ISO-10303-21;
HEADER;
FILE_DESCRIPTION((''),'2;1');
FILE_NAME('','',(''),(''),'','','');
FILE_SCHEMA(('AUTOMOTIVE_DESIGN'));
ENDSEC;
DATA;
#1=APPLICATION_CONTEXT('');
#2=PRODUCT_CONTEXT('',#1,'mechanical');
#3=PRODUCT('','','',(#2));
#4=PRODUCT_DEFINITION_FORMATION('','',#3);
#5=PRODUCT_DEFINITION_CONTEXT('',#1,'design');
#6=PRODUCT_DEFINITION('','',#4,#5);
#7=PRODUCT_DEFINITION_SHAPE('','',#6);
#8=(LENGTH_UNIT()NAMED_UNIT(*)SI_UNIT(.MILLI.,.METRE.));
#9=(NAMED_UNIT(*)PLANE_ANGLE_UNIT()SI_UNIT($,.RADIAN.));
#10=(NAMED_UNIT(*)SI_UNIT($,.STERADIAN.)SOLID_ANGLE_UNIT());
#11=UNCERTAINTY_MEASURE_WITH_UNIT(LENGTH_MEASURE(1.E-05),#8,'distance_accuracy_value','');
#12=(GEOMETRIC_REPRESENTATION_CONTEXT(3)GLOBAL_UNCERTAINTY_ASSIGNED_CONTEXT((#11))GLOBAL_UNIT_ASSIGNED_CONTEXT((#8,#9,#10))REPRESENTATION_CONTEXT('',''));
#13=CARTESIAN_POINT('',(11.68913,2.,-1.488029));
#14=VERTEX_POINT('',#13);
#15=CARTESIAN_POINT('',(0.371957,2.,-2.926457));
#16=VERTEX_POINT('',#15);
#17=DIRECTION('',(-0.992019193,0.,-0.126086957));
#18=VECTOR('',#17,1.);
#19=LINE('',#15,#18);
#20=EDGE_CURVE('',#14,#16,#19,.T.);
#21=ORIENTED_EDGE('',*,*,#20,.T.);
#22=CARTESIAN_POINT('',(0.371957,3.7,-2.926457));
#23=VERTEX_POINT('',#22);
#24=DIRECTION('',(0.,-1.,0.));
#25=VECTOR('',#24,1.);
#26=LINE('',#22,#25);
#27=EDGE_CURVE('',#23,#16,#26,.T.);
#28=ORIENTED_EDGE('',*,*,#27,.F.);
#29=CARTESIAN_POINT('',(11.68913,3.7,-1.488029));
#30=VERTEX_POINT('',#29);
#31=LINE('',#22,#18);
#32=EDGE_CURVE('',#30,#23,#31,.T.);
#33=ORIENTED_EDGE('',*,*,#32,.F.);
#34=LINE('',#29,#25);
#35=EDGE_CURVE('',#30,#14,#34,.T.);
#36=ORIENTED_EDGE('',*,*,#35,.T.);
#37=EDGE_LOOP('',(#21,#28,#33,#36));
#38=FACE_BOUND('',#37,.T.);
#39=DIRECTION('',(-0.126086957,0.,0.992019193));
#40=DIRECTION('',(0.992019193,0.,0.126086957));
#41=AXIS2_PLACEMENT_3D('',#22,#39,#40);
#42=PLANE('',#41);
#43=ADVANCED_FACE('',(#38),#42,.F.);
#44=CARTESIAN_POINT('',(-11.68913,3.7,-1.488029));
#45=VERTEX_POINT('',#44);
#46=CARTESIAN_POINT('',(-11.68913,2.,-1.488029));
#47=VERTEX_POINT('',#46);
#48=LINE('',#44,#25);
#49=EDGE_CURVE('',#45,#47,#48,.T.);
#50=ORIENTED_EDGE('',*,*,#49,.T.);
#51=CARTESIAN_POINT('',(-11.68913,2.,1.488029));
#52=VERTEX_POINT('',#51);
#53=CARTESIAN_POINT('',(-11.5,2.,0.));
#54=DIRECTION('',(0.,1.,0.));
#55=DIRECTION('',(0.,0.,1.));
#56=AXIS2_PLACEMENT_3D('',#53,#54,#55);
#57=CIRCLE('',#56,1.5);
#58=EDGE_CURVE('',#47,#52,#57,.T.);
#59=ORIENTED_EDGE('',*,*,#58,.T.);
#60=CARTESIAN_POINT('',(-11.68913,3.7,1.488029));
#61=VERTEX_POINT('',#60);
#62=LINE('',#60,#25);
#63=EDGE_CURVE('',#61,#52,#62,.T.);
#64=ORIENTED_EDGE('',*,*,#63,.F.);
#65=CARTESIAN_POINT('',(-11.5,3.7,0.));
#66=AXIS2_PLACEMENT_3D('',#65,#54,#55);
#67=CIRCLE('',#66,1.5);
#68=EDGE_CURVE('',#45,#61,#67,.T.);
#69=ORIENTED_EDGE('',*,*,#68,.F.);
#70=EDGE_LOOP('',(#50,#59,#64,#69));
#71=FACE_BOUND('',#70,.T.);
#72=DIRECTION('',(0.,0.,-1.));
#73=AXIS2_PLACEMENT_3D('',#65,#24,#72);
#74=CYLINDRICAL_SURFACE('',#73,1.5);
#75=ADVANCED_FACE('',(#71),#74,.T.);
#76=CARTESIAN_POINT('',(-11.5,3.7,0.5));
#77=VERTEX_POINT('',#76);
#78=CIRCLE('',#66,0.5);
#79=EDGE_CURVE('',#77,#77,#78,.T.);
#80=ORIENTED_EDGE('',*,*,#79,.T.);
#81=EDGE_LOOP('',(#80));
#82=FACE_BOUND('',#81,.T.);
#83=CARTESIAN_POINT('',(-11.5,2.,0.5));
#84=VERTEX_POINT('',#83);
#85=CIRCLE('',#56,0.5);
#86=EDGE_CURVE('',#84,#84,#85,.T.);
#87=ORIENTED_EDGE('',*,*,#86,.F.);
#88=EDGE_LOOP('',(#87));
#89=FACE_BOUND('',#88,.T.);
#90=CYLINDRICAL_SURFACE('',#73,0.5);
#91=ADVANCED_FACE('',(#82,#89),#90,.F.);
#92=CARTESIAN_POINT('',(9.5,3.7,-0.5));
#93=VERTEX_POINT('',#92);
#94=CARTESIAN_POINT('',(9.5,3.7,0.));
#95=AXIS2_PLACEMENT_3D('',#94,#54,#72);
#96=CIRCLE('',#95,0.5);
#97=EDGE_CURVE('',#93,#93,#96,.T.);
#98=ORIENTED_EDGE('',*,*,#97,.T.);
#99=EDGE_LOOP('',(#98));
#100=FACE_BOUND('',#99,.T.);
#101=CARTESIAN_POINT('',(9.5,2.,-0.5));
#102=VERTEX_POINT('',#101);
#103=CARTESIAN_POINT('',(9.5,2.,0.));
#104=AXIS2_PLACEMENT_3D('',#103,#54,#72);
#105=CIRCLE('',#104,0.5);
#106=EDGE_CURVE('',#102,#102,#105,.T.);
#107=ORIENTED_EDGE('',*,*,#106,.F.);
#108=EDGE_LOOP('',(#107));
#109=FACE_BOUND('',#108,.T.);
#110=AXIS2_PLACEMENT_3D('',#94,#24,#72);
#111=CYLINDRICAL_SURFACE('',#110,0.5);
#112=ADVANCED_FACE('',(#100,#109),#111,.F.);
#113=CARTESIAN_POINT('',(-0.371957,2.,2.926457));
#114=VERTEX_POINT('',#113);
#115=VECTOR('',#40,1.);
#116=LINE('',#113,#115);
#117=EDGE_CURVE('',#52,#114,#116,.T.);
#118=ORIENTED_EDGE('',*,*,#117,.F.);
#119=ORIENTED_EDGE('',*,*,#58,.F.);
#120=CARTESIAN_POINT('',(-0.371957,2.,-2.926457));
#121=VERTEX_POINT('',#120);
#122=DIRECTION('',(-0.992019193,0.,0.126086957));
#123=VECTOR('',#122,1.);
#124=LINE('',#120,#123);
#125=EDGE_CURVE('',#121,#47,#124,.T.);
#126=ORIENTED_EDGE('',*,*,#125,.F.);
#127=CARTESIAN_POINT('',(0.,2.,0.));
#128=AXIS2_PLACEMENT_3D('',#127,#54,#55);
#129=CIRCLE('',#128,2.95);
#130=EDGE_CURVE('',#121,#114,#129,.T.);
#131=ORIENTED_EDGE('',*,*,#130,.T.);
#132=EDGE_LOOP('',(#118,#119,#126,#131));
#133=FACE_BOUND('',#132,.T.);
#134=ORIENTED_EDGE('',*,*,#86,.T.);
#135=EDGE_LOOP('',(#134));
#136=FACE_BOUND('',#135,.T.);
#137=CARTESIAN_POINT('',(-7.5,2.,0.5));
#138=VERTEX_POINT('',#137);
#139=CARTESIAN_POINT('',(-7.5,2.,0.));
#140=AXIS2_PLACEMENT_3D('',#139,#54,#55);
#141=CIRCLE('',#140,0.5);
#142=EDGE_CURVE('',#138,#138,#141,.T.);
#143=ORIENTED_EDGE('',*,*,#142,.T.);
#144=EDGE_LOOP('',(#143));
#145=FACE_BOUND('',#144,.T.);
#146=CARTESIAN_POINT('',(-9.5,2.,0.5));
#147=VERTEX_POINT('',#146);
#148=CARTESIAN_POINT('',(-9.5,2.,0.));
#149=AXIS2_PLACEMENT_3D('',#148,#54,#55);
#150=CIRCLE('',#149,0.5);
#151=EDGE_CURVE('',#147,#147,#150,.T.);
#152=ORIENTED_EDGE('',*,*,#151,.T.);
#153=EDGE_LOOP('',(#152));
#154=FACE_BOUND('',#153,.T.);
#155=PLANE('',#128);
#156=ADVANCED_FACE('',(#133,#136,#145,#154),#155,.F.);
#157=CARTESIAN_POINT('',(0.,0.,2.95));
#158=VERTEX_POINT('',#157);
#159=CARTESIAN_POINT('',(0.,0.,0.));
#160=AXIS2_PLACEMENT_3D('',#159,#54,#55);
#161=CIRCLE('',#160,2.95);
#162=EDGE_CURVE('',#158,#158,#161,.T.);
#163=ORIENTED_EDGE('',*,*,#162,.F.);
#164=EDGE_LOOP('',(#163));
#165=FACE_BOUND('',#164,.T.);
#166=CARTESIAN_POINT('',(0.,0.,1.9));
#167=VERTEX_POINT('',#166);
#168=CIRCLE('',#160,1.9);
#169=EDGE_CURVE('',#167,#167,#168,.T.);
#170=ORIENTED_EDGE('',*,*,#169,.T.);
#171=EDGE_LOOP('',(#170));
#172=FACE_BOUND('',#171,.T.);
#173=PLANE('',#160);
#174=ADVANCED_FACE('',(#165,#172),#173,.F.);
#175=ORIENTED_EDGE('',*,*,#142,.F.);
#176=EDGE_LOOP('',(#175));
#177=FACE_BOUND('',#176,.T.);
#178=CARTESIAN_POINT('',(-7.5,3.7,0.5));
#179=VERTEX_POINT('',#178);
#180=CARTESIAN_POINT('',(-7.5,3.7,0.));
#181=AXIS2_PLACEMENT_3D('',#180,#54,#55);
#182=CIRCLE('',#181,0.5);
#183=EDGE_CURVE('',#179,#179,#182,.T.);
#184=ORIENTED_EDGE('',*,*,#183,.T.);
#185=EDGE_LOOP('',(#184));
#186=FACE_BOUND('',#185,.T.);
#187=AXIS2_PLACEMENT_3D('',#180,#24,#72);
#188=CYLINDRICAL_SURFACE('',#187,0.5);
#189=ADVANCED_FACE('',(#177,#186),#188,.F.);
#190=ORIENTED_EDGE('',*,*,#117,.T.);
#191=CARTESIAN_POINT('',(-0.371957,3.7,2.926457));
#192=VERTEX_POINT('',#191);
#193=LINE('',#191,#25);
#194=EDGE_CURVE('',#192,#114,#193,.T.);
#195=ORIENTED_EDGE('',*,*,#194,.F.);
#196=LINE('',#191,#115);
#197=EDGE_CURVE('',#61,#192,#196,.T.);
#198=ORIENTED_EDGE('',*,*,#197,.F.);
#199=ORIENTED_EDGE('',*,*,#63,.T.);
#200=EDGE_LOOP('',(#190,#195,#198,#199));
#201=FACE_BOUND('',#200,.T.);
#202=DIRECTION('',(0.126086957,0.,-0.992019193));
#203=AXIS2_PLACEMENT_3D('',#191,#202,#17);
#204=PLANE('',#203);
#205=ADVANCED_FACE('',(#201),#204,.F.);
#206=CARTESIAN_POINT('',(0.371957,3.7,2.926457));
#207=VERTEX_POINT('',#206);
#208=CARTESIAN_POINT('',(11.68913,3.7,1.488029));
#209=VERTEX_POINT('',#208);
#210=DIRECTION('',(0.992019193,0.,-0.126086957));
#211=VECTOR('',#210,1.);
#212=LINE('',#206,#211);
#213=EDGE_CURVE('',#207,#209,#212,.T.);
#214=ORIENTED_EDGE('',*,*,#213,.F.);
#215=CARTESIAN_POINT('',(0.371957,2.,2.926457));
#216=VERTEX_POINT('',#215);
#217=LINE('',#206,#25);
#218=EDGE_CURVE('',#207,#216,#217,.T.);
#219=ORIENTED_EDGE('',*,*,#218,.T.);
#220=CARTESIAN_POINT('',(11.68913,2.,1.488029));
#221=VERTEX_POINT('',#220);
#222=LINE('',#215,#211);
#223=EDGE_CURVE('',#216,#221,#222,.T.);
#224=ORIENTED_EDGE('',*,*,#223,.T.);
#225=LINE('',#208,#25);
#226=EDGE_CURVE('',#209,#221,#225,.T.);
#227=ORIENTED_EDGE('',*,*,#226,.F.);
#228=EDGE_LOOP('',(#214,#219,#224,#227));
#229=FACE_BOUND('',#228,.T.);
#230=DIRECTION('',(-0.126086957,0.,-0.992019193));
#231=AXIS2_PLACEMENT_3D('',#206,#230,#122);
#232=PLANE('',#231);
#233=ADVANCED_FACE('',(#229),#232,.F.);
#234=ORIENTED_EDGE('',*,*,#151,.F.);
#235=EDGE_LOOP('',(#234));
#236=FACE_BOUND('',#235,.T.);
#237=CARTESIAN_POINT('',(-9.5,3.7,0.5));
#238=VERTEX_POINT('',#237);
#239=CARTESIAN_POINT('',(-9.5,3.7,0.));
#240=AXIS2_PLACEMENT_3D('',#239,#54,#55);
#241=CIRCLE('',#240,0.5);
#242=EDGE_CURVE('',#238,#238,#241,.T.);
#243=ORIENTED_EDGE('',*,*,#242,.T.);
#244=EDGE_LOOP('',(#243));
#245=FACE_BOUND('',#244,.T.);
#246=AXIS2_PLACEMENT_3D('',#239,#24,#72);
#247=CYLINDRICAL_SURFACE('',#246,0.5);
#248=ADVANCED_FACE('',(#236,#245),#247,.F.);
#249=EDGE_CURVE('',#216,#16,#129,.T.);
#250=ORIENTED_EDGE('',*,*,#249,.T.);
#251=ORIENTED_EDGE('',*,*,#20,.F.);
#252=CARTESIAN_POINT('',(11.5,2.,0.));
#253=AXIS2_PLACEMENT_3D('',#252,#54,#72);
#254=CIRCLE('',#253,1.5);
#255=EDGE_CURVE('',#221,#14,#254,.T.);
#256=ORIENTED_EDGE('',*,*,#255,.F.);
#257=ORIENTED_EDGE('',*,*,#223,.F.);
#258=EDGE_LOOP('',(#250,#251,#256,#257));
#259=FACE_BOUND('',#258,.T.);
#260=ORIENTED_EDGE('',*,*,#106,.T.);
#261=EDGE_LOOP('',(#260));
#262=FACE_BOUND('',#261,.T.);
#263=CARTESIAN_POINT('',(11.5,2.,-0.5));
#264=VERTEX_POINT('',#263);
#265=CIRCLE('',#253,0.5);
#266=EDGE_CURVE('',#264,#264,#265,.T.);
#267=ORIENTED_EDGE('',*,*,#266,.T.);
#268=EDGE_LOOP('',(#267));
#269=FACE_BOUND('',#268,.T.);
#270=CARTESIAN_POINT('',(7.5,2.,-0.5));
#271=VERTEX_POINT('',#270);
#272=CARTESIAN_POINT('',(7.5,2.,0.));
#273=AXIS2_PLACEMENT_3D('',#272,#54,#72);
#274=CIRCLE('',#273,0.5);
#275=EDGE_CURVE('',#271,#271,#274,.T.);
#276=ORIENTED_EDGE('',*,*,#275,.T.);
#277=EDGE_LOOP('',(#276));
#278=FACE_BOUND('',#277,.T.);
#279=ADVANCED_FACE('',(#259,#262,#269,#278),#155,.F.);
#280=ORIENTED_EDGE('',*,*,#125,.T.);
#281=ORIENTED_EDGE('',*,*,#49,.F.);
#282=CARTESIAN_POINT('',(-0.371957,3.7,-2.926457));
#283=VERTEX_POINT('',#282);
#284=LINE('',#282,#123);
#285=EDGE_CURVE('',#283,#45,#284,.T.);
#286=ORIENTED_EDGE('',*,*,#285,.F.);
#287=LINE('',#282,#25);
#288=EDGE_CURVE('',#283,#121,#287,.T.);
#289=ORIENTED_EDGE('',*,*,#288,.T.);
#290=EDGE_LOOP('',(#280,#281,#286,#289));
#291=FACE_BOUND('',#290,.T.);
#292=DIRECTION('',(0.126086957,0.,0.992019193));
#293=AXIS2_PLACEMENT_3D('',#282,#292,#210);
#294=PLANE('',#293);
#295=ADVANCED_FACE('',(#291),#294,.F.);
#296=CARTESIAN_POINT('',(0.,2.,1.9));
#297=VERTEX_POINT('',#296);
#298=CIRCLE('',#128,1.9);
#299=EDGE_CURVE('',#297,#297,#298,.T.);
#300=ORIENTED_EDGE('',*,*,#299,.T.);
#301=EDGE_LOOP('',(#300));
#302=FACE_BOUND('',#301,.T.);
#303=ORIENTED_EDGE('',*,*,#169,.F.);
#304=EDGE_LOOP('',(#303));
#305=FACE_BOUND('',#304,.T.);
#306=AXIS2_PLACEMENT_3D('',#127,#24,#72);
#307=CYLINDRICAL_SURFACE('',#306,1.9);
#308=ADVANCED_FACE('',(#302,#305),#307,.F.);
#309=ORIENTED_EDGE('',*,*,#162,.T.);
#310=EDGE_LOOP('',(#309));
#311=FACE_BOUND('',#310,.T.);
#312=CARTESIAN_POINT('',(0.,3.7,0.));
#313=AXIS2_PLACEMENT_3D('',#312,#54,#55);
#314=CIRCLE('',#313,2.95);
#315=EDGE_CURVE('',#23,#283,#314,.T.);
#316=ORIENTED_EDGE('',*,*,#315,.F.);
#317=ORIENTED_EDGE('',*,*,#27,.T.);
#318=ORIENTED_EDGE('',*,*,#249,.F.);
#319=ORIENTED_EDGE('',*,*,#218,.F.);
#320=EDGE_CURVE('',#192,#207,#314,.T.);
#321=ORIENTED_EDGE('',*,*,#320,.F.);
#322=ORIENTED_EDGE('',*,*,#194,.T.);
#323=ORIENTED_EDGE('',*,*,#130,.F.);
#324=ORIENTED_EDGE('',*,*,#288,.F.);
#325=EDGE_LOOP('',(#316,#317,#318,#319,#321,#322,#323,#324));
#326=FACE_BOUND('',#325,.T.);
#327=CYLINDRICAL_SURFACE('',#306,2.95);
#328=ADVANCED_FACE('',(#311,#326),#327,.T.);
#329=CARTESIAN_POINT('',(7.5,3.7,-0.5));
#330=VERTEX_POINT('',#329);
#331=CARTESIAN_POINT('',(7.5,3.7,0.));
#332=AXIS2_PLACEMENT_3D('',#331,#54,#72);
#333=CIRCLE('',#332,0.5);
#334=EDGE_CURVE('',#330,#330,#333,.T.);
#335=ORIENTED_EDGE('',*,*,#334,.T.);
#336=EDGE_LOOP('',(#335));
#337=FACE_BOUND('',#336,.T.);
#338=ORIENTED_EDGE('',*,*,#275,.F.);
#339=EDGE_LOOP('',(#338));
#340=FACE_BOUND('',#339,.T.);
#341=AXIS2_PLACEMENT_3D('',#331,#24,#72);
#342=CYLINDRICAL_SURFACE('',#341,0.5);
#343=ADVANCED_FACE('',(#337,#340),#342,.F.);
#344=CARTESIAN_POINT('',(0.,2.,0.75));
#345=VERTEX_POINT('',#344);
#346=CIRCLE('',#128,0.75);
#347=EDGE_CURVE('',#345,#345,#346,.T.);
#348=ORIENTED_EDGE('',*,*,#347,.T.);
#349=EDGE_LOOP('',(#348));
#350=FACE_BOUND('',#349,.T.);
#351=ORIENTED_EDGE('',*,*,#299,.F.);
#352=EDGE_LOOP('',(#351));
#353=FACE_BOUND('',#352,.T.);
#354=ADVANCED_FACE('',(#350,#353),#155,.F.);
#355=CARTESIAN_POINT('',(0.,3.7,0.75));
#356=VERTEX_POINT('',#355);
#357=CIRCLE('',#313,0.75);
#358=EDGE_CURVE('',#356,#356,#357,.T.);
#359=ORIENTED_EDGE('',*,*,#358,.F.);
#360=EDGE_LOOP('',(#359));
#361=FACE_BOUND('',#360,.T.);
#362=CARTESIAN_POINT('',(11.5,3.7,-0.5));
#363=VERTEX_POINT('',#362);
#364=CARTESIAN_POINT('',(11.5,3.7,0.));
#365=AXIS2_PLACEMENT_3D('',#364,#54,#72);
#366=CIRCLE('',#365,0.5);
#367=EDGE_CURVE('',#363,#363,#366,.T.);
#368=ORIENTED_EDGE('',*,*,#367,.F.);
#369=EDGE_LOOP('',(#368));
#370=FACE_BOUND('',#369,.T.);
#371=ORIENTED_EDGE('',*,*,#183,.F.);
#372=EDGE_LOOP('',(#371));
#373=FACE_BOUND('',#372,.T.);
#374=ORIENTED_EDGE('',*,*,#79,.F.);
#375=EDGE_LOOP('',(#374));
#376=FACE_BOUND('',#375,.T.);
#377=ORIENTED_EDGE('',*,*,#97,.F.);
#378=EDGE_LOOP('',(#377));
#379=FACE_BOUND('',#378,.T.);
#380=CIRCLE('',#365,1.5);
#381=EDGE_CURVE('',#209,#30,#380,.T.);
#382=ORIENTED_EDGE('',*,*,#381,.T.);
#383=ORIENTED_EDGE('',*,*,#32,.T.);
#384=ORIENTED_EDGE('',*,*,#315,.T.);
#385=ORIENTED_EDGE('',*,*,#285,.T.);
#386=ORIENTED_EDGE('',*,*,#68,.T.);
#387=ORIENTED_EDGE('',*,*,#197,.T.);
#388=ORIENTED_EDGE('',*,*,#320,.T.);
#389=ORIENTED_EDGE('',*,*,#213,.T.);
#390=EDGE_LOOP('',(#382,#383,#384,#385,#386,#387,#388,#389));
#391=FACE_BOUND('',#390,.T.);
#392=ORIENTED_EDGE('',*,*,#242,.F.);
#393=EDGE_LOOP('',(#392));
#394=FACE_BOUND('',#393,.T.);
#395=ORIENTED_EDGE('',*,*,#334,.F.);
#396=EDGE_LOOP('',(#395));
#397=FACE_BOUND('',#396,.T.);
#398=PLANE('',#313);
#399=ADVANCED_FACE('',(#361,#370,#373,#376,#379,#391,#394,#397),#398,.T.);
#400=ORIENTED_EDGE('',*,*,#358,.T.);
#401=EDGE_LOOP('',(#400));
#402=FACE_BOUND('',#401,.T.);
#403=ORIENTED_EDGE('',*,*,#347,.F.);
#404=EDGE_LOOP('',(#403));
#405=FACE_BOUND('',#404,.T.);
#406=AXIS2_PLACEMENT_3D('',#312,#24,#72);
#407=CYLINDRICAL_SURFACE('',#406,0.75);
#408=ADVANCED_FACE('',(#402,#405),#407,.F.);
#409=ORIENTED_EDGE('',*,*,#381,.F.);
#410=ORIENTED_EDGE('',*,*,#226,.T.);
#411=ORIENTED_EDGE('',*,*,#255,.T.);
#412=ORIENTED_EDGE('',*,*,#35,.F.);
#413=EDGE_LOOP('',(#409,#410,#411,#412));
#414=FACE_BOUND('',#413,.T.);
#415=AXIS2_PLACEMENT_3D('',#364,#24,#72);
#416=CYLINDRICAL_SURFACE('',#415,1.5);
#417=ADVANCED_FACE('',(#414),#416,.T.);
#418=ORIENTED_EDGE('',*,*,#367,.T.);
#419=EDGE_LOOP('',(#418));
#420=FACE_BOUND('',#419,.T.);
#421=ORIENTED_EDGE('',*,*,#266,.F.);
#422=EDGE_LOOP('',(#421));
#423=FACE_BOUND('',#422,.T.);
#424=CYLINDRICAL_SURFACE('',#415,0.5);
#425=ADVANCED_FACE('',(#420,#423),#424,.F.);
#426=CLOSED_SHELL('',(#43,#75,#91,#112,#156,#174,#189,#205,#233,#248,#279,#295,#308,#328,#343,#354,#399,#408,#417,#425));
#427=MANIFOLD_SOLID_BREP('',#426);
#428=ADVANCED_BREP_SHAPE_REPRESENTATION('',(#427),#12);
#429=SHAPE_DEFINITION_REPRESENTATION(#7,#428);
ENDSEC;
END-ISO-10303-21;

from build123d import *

# Parameters (mm, degrees)
SKETCH1_R           = 2.95
SKETCH1_R_2         = 1.9
BOSS_EXTRUDE1_DEPTH = 2
SKETCH2_R           = 0.5000000000000008
SKETCH2_R_2         = 0.75
BOSS_EXTRUDE2_DEPTH = 1.7


with BuildPart() as part:
    # Sketch1 → Boss-Extrude1 (new body)
    with BuildSketch(Plane(origin=(0, 0, 0), x_dir=(1, 0, 0), z_dir=(0, 1, 0))):
        with Locations(Location((0, 0, 0), (0, 0, 270))):
            Circle(SKETCH1_R)
        with Locations(Location((0, 0, 0), (0, 0, 270))):
            Circle(SKETCH1_R_2, mode=Mode.SUBTRACT)
    extrude(amount=BOSS_EXTRUDE1_DEPTH)

    # Sketch2 → Boss-Extrude2 (add)
    with BuildSketch(Plane(origin=(0, 2, 0), x_dir=(1, 0, 0), z_dir=(0, 1, 0))):
        with BuildLine():
            Line((-0.3719565217391307, 2.9264566195205663), (-11.689130434782609, 1.488028789586728))
            ThreePointArc((-11.689130434782609, 1.488028789586728), (-13, 1.8e-16), (-11.689130434782609, -1.488028789586728))
            Line((-11.689130434782609, -1.488028789586728), (-0.3719565217391307, -2.9264566195205663))
            ThreePointArc((-0.3719565217391307, -2.9264566195205663), (1.8e-16, -2.9500000000000024), (0.3719565217391307, -2.9264566195205663))
            Line((0.3719565217391307, -2.9264566195205663), (11.689130434782609, -1.488028789586728))
            ThreePointArc((11.689130434782609, -1.488028789586728), (13, 0), (11.689130434782609, 1.488028789586728))
            Line((11.689130434782609, 1.488028789586728), (0.3719565217391307, 2.9264566195205663))
            ThreePointArc((0.3719565217391307, 2.9264566195205663), (1.8e-16, 2.9500000000000024), (-0.3719565217391307, 2.9264566195205663))
        make_face()
        with Locations(Location((-11.5, 0, 0), (0, 0, 270))):
            Circle(SKETCH2_R, mode=Mode.SUBTRACT)
        with Locations(Location((-9.5, 0, 0), (0, 0, 270))):
            Circle(SKETCH2_R, mode=Mode.SUBTRACT)
        with Locations(Location((-7.5, 0, 0), (0, 0, 270))):
            Circle(SKETCH2_R, mode=Mode.SUBTRACT)
        with Locations(Location((7.5, 0, 0), (0, 0, 90))):
            Circle(SKETCH2_R, mode=Mode.SUBTRACT)
        with Locations(Location((9.5, 0, 0), (0, 0, 90))):
            Circle(SKETCH2_R, mode=Mode.SUBTRACT)
        with Locations(Location((11.5, 0, 0), (0, 0, 90))):
            Circle(SKETCH2_R, mode=Mode.SUBTRACT)
        with Locations(Location((0, 0, 0), (0, 0, 270))):
            Circle(SKETCH2_R_2, mode=Mode.SUBTRACT)
    extrude(amount=BOSS_EXTRUDE2_DEPTH)


solid = part.part
